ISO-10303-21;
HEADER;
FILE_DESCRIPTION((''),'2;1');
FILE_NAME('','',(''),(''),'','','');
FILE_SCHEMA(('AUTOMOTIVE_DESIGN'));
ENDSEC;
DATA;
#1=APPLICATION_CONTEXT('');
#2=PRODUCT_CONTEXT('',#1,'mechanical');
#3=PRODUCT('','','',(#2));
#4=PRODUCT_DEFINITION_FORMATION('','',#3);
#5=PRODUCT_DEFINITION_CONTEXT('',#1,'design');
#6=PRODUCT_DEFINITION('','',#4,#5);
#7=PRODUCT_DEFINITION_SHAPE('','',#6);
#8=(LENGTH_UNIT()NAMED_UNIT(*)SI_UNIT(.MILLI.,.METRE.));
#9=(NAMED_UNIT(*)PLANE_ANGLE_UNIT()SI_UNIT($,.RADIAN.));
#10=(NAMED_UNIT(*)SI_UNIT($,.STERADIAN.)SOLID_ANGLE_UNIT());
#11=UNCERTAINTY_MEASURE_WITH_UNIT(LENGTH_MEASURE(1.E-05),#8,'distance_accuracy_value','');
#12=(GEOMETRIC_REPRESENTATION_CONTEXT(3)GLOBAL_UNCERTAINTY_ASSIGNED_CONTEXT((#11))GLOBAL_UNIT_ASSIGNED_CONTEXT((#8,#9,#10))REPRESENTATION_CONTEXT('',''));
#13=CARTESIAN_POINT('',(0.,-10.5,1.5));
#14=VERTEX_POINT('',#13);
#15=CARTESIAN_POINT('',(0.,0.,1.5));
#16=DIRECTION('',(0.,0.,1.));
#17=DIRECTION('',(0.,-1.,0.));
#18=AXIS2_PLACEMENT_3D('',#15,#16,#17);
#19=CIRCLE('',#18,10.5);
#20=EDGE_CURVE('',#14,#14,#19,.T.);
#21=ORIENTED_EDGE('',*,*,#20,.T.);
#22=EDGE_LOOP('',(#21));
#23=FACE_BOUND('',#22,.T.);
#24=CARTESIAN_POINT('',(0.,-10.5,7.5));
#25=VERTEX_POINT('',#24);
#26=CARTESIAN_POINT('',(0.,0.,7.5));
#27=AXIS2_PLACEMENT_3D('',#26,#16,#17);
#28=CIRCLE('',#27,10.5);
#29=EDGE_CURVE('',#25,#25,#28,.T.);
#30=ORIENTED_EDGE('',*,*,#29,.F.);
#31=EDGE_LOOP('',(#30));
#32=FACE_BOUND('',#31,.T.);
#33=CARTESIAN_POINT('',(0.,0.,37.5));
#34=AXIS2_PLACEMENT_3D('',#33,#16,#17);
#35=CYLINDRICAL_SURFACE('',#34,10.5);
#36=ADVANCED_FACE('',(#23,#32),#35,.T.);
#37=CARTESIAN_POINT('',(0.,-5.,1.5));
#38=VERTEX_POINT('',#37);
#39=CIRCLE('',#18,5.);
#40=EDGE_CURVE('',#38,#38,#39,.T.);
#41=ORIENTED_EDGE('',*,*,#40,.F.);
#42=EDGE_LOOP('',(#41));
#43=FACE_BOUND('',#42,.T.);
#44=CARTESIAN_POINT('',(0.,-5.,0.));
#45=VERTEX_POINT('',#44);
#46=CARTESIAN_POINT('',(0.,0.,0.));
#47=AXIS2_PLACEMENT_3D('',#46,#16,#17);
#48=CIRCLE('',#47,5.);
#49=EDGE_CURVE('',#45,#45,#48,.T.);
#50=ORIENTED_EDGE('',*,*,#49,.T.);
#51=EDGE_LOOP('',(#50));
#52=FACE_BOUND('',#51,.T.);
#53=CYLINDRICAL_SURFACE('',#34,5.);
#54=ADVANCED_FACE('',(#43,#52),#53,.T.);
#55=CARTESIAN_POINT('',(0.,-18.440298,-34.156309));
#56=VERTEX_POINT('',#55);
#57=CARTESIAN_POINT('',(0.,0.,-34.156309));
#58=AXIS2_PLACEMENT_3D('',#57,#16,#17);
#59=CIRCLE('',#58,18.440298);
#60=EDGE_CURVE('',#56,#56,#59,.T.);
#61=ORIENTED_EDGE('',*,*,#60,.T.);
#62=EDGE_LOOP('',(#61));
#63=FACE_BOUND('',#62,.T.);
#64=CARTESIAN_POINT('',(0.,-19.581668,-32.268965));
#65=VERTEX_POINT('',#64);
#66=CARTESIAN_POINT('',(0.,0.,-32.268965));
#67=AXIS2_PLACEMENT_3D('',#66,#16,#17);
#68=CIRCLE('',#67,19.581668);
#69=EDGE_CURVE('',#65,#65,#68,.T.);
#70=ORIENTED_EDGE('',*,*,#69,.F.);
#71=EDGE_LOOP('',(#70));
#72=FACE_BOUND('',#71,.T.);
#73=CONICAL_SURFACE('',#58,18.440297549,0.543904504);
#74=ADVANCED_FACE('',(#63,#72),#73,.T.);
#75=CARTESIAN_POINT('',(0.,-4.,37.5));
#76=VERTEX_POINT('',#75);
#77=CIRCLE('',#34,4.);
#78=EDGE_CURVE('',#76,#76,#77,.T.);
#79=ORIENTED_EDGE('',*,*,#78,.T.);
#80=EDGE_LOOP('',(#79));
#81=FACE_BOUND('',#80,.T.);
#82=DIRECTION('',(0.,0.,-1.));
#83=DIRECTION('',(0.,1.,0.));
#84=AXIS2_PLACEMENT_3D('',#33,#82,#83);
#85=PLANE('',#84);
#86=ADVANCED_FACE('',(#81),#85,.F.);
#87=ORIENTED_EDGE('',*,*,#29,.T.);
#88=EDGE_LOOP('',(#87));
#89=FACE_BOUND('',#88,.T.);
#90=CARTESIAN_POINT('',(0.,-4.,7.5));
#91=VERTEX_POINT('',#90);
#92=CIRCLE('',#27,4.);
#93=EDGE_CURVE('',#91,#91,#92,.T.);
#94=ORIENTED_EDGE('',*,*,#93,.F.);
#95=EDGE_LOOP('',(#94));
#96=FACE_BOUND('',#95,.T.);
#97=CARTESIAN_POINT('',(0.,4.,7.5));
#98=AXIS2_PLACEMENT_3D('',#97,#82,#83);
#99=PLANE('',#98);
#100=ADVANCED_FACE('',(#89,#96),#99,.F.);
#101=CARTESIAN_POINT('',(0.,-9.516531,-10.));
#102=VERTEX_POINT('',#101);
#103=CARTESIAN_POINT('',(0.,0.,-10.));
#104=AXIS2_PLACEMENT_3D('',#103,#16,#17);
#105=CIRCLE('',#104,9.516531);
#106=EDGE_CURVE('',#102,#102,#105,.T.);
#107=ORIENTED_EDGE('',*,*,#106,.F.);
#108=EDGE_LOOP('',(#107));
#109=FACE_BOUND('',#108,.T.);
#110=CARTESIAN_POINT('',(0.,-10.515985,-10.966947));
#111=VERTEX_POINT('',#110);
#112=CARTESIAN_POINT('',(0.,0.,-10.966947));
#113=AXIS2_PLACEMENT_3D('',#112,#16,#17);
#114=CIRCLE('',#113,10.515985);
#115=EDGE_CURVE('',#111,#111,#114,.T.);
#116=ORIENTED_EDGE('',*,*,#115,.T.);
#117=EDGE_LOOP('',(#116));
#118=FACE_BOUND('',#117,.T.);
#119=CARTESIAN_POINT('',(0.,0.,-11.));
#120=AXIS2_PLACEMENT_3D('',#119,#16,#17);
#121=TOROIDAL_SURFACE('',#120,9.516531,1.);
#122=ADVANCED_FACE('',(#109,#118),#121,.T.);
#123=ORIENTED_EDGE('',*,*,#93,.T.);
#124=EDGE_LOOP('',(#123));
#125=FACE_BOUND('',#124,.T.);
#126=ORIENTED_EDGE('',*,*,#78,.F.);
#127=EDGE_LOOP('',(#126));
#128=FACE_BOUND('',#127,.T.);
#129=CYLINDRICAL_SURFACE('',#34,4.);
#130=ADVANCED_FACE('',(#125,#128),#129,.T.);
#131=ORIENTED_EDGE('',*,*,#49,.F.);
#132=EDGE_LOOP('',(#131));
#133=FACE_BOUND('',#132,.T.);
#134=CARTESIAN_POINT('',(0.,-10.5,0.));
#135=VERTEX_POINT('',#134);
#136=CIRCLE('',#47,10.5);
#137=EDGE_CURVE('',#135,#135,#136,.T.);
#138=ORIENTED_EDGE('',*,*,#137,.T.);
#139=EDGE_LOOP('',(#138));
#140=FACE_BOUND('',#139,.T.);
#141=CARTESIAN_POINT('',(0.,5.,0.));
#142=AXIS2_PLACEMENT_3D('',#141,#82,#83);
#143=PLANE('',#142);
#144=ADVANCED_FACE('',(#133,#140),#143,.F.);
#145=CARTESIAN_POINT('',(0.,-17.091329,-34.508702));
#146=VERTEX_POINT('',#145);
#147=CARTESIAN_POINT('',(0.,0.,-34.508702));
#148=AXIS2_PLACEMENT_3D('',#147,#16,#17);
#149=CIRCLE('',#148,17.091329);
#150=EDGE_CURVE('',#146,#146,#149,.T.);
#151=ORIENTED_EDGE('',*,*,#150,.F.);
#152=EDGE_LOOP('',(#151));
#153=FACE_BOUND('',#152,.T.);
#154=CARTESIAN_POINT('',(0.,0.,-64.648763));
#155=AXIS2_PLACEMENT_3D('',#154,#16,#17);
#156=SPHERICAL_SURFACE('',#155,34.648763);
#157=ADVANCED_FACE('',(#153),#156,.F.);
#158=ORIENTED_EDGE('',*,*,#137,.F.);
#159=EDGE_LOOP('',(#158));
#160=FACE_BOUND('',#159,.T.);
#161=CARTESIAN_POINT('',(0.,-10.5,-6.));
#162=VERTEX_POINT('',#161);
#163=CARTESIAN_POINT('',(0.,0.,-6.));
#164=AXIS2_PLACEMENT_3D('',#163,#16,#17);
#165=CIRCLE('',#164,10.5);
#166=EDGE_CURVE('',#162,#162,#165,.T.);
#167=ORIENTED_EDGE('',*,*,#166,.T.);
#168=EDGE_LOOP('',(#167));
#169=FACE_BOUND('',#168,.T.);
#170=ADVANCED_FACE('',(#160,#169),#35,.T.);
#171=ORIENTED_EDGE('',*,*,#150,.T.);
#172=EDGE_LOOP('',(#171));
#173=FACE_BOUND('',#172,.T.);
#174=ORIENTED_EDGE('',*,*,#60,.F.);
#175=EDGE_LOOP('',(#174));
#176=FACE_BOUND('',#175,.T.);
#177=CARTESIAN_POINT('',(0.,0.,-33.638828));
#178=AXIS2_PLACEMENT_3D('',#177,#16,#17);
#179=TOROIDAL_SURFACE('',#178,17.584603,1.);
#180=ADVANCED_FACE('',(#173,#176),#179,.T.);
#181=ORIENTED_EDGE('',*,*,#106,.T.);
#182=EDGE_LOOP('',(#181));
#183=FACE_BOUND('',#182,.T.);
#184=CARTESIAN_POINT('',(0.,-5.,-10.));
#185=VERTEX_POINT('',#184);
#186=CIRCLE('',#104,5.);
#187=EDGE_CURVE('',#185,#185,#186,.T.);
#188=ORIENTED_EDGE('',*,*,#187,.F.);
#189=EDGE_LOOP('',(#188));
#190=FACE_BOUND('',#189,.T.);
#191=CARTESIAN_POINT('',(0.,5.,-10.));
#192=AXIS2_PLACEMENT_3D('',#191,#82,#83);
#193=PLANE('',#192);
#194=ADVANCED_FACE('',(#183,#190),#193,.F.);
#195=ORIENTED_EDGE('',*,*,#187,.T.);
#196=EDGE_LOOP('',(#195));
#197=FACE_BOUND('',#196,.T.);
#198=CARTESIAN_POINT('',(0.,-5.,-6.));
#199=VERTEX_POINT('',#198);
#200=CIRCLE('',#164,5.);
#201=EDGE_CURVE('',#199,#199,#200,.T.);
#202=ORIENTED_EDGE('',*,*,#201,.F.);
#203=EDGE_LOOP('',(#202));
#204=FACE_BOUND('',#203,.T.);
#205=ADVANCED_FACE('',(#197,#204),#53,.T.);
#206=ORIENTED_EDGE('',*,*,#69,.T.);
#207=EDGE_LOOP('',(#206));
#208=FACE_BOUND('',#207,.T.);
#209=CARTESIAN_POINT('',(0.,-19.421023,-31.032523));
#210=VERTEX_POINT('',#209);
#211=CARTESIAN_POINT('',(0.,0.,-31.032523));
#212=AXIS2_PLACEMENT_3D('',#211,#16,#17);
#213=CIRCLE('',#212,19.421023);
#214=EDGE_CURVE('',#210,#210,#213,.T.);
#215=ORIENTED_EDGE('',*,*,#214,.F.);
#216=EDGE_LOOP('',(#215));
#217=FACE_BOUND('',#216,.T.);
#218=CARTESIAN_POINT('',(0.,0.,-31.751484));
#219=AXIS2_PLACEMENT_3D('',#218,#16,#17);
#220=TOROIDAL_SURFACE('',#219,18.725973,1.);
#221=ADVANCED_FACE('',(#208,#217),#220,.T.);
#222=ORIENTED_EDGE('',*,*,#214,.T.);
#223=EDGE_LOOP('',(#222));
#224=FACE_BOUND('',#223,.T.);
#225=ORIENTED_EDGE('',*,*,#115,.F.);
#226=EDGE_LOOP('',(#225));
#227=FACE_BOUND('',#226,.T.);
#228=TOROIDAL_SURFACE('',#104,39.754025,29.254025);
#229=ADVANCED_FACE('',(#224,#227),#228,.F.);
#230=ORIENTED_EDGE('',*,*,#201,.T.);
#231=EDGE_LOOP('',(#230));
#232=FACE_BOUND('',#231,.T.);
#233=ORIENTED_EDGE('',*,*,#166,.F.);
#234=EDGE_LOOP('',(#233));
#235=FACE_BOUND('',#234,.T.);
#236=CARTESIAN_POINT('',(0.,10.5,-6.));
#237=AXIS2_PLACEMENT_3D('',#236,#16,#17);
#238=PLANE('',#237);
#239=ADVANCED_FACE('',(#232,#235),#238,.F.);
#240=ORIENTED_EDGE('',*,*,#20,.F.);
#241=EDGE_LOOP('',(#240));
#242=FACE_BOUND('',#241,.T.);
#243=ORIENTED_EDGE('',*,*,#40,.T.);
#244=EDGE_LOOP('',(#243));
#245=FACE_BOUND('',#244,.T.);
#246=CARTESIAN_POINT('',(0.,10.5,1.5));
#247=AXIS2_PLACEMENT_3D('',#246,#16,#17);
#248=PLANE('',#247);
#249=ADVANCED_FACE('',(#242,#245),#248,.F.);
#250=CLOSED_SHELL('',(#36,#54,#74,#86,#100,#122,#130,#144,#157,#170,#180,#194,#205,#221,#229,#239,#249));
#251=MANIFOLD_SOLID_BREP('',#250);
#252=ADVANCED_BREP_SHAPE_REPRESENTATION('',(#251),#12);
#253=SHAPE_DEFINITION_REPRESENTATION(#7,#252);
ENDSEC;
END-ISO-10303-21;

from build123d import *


with BuildPart() as part:
    # Эскиз1 → Повернуть1 (revolve)
    with BuildSketch(Plane(origin=(0, 0, 0), x_dir=(0, 0, -1), z_dir=(1, 0, 0))):
        with BuildLine():
            Line((-37.5, 0), (-37.5, 4))
            Line((-37.5, 4), (-7.5, 4))
            Line((-7.5, 4), (-7.5, 10.5))
            Line((-7.5, 10.5), (-1.5, 10.5))
            Line((-1.5, 10.5), (-1.5, 5))
            Line((-1.5, 5), (0, 5))
            Line((0, 5), (0, 10.5))
            Line((0, 10.5), (6, 10.5))
            Line((6, 10.5), (6, 5))
            Line((6, 5), (10, 5))
            Line((10, 5), (10, 9.516531243))
            ThreePointArc((10, 9.516531243), (10.281302062, 10.211853667), (10.966946547, 10.515984828))
            ThreePointArc((10.966946547, 10.515984828), (21.86672187, 13.014935813), (31.032522672, 19.421023056))
            ThreePointArc((31.032522672, 19.421023056), (31.622642119, 19.717638439), (32.268965333, 19.581668037))
            Line((32.268965333, 19.581668037), (34.156309404, 18.440297549))
            ThreePointArc((34.156309404, 18.440297549), (34.606360099, 17.837352598), (34.508702483, 17.091328984))
            ThreePointArc((34.508702483, 17.091328984), (31.146131827, 8.838013416), (30, 0))
            Line((30, 0), (-37.5, 0))
        make_face()
    revolve(axis=Axis((0, 0, 37.5), (0, 0, -1)))


solid = part.part
